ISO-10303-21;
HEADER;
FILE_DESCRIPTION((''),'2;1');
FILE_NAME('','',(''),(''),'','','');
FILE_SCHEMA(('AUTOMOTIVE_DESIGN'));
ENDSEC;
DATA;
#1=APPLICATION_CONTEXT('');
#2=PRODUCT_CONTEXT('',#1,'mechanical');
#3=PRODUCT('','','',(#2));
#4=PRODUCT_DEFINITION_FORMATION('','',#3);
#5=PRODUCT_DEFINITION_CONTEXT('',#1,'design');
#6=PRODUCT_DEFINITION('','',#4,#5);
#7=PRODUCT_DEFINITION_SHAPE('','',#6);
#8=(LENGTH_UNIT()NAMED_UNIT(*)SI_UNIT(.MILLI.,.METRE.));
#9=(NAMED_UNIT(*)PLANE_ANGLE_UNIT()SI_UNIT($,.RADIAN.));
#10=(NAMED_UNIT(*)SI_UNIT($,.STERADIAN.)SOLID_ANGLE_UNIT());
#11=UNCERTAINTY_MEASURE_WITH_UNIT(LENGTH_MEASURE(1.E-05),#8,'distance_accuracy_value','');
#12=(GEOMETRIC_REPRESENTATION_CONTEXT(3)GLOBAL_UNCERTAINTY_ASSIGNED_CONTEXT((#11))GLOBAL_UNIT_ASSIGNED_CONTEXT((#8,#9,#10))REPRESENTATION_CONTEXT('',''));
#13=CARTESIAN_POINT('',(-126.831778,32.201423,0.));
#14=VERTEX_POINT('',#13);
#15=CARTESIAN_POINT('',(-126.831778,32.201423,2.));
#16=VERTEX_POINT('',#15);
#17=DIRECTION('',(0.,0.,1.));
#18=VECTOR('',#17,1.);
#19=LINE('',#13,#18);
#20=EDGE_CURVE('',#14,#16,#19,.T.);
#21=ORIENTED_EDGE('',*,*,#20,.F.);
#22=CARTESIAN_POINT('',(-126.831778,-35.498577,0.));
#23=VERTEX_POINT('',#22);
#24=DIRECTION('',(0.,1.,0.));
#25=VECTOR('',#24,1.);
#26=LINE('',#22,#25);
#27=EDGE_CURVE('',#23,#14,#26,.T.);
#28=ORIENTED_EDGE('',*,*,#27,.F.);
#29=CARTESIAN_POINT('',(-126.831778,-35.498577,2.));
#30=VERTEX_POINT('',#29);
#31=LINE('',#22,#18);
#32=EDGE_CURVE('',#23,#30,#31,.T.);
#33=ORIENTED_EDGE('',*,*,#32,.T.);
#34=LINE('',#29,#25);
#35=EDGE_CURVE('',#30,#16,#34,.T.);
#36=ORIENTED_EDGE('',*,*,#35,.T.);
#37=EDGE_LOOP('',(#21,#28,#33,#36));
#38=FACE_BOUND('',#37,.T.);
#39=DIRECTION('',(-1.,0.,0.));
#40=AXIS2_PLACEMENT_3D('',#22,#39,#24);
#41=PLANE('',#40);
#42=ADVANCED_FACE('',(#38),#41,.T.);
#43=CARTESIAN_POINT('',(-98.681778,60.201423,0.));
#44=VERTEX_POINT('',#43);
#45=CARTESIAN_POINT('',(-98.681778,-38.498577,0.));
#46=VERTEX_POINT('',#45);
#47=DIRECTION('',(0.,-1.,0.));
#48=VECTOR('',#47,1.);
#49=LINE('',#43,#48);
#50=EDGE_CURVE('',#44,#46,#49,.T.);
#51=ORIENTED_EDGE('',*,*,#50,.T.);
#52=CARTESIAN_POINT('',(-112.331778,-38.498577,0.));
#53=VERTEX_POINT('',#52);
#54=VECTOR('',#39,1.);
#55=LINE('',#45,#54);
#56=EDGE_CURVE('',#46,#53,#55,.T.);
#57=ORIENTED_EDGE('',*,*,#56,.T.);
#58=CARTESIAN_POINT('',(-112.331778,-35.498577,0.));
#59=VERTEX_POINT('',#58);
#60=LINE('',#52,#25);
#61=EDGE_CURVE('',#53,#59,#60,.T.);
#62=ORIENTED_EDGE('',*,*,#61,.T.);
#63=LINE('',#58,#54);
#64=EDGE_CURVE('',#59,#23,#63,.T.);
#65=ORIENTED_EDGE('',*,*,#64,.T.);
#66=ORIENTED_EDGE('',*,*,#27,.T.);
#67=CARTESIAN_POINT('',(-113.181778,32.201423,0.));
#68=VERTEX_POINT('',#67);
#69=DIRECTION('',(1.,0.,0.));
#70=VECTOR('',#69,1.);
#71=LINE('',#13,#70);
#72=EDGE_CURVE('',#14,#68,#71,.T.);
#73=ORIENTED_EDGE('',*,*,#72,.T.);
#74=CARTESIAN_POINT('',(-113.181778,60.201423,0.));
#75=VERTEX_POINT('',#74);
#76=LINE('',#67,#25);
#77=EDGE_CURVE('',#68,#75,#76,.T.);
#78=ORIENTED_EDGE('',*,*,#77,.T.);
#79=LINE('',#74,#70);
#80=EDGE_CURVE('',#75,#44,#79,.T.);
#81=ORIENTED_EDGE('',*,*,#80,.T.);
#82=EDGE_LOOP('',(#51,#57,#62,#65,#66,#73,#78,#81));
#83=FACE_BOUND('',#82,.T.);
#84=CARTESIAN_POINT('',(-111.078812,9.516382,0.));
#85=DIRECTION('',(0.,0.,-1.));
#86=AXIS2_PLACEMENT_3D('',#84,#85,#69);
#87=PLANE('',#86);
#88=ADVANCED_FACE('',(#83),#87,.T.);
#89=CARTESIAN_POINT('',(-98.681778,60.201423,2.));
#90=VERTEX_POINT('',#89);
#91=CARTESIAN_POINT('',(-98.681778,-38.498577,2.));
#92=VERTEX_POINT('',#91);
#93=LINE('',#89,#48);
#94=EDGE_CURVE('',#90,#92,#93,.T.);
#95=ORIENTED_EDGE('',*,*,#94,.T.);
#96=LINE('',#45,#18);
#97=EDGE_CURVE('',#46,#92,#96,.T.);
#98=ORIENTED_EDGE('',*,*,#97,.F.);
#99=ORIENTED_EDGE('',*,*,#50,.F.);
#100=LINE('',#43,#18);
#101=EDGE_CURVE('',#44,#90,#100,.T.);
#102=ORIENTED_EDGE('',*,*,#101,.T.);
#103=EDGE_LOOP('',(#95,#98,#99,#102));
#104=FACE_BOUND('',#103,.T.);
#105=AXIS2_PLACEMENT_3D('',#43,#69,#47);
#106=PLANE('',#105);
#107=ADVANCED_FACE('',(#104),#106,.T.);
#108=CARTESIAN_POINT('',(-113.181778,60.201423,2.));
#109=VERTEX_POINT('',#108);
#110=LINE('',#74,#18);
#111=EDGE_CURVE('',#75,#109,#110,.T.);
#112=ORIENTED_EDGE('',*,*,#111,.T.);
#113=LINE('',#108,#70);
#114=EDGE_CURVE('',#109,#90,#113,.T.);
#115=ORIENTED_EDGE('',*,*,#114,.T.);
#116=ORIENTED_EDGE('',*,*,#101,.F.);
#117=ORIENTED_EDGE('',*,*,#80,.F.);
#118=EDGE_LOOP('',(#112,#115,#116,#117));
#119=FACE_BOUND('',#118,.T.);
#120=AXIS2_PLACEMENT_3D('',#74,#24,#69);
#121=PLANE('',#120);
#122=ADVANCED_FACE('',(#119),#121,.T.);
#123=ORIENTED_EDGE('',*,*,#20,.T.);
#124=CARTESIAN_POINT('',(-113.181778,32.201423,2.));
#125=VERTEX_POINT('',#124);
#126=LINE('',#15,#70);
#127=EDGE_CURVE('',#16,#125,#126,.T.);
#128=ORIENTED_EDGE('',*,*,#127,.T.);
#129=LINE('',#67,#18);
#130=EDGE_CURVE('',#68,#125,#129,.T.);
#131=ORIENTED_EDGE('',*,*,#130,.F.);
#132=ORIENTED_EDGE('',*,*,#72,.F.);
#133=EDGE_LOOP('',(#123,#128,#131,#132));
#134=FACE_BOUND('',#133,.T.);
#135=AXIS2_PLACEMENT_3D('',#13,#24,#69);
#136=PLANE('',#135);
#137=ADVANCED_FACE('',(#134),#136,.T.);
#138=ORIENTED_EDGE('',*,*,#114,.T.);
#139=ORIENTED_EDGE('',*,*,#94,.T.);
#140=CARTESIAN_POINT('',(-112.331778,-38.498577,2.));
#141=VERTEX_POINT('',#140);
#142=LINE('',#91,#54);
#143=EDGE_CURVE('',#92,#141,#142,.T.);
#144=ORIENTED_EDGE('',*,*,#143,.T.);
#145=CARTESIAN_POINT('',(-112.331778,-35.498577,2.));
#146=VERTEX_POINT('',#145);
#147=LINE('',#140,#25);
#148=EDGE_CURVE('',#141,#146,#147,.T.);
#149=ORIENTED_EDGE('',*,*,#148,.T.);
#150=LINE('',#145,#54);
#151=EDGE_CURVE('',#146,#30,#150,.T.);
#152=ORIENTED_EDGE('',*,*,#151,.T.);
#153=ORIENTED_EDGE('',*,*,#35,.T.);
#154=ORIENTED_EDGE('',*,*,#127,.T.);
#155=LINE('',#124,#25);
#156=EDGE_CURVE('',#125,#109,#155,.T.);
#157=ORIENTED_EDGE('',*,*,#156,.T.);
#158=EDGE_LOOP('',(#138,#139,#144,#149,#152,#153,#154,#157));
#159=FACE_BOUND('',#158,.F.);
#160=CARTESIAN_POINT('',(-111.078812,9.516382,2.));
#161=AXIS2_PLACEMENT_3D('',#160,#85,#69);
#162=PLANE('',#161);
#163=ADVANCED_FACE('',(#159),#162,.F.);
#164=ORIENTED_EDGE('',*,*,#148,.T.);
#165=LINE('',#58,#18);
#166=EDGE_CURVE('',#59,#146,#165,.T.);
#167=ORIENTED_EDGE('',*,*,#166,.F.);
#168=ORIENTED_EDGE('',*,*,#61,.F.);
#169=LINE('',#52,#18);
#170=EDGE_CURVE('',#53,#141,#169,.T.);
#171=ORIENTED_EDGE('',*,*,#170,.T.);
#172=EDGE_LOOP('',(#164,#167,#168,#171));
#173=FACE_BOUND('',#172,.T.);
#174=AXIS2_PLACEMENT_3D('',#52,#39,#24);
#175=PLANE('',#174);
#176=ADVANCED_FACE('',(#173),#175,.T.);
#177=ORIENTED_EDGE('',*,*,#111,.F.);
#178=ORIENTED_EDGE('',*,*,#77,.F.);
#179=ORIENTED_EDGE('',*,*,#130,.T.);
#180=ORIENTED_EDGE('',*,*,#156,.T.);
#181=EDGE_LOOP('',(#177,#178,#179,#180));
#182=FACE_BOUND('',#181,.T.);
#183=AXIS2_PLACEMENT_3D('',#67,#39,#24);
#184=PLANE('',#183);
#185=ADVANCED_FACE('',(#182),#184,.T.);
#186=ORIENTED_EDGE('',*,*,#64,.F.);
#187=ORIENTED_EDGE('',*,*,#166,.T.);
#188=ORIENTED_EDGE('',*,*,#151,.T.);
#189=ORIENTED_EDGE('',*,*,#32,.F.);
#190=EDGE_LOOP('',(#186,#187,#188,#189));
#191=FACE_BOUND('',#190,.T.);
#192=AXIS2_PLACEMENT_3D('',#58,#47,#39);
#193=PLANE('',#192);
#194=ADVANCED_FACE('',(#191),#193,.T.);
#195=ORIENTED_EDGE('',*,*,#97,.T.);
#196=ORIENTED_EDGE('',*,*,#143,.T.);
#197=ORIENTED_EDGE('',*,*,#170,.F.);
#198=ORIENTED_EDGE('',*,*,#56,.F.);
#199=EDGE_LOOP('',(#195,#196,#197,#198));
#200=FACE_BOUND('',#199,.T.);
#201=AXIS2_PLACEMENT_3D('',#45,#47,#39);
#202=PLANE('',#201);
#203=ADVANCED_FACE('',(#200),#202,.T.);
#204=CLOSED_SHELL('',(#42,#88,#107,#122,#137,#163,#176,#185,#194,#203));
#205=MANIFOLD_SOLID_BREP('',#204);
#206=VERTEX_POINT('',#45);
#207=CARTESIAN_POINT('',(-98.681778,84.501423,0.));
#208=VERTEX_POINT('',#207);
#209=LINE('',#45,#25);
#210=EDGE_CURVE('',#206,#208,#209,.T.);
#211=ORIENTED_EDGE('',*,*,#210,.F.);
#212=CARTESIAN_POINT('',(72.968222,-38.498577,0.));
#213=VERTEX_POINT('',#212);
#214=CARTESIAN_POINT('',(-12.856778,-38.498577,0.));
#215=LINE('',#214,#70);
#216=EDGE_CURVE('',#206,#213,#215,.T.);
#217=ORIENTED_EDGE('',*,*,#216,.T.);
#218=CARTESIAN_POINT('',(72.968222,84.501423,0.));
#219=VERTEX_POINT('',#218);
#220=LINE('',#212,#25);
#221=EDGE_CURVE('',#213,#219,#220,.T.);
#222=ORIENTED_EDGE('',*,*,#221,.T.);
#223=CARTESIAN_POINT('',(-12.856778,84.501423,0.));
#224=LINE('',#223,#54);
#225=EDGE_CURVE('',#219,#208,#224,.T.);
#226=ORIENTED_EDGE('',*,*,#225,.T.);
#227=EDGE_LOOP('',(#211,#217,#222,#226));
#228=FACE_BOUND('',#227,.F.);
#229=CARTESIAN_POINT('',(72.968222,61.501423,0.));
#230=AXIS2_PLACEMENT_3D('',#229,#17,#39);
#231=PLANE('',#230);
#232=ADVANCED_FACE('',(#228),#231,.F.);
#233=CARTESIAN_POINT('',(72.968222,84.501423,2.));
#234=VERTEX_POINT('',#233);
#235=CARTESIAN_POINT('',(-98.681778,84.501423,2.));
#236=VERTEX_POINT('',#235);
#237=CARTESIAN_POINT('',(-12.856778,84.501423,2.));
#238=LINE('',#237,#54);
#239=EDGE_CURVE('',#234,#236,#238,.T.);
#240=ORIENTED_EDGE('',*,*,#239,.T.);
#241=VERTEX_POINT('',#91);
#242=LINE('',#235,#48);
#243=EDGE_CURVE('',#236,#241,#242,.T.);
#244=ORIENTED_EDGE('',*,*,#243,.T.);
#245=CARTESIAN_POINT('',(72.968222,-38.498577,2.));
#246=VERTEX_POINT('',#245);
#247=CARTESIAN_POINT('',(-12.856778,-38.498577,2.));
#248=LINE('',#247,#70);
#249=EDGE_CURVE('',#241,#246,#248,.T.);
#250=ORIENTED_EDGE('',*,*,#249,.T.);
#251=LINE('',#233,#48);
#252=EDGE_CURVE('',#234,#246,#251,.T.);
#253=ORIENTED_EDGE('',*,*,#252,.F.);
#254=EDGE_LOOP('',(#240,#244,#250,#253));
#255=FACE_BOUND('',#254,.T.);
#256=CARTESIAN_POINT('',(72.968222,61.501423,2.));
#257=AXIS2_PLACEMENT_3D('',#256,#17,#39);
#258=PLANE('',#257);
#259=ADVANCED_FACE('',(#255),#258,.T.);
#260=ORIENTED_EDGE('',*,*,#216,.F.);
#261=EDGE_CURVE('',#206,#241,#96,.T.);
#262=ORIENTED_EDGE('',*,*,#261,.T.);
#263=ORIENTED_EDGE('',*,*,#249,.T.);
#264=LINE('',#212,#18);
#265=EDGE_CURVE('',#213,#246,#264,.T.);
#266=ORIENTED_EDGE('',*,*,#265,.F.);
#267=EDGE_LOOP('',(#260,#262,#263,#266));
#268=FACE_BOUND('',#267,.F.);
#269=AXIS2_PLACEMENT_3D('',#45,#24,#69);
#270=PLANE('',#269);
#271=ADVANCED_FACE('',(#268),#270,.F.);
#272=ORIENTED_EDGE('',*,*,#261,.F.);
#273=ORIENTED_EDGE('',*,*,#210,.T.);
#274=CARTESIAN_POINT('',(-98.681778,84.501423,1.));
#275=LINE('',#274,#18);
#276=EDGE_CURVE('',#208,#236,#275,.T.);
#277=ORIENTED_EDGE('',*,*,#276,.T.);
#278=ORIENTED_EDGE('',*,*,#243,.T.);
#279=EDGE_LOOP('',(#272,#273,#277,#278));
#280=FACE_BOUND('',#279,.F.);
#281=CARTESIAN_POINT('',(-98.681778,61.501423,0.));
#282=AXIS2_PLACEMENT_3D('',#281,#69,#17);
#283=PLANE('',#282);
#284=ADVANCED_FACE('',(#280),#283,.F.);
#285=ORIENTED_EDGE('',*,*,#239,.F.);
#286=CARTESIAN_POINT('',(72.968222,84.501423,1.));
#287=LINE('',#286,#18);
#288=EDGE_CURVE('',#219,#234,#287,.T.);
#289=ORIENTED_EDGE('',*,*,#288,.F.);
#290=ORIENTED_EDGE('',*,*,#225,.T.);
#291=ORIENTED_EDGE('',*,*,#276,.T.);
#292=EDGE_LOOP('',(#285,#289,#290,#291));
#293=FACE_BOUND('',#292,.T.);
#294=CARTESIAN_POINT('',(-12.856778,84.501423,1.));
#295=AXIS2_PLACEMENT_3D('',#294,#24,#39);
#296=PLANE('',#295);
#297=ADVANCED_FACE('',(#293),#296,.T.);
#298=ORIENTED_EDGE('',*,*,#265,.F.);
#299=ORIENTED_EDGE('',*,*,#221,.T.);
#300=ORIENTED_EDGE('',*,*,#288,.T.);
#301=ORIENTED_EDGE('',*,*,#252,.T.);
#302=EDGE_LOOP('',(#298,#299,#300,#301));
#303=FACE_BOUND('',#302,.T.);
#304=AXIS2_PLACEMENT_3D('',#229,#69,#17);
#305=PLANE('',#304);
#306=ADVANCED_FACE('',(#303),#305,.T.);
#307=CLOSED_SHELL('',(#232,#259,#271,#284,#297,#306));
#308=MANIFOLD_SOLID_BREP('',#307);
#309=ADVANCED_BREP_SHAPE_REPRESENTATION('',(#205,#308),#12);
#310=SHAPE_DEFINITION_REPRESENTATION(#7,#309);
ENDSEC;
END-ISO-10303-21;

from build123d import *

# Parameters (mm, degrees)
F0_W      = 171.65
F0_H      = 100
F1_DEPTH  = 2
F1_FACE_W = 171.65
F1_FACE_H = 2
F2_DEPTH  = 23
F4_DEPTH  = 2


with BuildPart() as f1:
    # F0 (on Top) → F1 (new body)
    with BuildSketch(Plane.XY):
        with Locations((-12.856778, 11.501423)):
            Rectangle(F0_W, F0_H)
    extrude(amount=F1_DEPTH)

    # F1_face (on face) → F2 (join)
    with BuildSketch(Plane(origin=(-12.856778, 61.501423, 1), x_dir=(-1, 0, 0), z_dir=(0, 1, 0))):
        Rectangle(F1_FACE_W, F1_FACE_H)
    extrude(amount=F2_DEPTH)


with BuildPart() as f4:
    # F3 (on face) → F4 (new body)
    with BuildSketch(Plane(origin=(0, 0, 0), x_dir=(1, 0, 0), z_dir=(0, 0, -1))):
        Polygon((-98.681778, -60.201423), (-98.681778, 38.498577), (-112.331778, 38.498577), (-112.331778, 35.498577), (-126.831778, 35.498577), (-126.831778, -32.201423), (-113.181778, -32.201423), (-113.181778, -60.201423), align=None)
    extrude(amount=-F4_DEPTH)


solid = Compound([f1.part, f4.part])
